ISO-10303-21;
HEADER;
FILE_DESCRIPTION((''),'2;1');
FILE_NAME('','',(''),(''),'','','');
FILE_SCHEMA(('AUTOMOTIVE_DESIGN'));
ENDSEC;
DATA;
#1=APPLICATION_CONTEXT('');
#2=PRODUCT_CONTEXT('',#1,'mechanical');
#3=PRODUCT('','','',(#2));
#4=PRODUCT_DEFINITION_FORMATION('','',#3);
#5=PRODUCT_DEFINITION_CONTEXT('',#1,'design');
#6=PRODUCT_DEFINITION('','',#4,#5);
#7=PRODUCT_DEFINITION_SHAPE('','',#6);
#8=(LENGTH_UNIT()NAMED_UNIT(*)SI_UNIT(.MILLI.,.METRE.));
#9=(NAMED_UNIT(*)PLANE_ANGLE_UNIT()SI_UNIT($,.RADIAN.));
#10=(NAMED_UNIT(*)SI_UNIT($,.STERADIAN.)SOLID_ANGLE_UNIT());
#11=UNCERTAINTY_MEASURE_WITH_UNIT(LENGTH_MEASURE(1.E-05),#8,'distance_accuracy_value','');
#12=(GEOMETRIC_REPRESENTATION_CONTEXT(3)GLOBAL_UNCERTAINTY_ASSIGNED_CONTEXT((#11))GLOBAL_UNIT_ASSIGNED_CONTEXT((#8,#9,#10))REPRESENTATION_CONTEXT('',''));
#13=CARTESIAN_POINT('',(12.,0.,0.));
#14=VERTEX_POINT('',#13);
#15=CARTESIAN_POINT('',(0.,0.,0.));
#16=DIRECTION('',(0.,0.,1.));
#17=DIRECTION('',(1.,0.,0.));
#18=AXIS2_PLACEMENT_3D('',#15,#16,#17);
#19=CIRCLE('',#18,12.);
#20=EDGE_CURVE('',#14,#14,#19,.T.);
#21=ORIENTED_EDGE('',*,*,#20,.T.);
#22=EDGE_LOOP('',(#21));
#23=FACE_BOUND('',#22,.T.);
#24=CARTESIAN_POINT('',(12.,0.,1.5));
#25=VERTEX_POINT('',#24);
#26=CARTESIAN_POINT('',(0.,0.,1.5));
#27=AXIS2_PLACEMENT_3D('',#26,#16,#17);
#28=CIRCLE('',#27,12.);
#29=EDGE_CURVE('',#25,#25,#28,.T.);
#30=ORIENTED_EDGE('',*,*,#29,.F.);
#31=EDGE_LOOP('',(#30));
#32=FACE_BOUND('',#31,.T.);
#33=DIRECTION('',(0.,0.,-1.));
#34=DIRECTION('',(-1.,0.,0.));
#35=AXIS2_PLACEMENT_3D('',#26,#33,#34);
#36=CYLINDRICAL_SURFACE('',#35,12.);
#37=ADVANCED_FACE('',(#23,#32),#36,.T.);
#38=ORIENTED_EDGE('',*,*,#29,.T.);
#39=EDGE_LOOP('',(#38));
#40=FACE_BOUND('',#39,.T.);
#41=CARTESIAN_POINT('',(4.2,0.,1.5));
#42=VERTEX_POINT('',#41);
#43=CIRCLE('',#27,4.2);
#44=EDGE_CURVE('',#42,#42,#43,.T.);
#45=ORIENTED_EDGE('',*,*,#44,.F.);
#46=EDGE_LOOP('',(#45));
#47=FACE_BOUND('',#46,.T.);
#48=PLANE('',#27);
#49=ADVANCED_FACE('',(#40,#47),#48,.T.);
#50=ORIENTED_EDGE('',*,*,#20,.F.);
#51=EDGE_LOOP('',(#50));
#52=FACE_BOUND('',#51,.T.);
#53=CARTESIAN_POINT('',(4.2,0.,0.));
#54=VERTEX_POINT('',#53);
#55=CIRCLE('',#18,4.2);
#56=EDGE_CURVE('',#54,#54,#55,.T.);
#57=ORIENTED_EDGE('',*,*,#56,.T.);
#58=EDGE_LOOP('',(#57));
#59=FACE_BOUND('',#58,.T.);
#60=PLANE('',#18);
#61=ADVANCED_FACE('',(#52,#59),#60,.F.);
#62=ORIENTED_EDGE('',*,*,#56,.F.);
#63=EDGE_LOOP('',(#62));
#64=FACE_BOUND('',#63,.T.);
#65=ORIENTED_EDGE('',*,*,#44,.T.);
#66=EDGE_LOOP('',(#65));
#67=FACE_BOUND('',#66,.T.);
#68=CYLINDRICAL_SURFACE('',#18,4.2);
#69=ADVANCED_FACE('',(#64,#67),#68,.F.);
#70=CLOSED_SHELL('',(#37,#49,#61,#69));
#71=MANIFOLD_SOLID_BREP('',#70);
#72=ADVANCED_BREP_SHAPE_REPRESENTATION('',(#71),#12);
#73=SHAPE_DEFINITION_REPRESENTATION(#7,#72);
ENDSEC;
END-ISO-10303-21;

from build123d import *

# Parameters (mm, degrees)
ESQUISSE1_R             = 12
BOSS_EXTRU_1_DEPTH      = 1.5
ESQUISSE2_R             = 4.2
ENL_V_MAT_EXTRU_1_DEPTH = 1.5


with BuildPart() as part:
    # Esquisse1 → Boss.-Extru.1 (new body)
    with BuildSketch(Plane.XY):
        Circle(ESQUISSE1_R)
    extrude(amount=BOSS_EXTRU_1_DEPTH)

    # Esquisse2 → Enlèv. mat.-Extru.1 (cut)
    with BuildSketch(Plane.XY.offset(1.5)):
        Circle(ESQUISSE2_R)
    extrude(amount=-ENL_V_MAT_EXTRU_1_DEPTH, mode=Mode.SUBTRACT)


solid = part.part
